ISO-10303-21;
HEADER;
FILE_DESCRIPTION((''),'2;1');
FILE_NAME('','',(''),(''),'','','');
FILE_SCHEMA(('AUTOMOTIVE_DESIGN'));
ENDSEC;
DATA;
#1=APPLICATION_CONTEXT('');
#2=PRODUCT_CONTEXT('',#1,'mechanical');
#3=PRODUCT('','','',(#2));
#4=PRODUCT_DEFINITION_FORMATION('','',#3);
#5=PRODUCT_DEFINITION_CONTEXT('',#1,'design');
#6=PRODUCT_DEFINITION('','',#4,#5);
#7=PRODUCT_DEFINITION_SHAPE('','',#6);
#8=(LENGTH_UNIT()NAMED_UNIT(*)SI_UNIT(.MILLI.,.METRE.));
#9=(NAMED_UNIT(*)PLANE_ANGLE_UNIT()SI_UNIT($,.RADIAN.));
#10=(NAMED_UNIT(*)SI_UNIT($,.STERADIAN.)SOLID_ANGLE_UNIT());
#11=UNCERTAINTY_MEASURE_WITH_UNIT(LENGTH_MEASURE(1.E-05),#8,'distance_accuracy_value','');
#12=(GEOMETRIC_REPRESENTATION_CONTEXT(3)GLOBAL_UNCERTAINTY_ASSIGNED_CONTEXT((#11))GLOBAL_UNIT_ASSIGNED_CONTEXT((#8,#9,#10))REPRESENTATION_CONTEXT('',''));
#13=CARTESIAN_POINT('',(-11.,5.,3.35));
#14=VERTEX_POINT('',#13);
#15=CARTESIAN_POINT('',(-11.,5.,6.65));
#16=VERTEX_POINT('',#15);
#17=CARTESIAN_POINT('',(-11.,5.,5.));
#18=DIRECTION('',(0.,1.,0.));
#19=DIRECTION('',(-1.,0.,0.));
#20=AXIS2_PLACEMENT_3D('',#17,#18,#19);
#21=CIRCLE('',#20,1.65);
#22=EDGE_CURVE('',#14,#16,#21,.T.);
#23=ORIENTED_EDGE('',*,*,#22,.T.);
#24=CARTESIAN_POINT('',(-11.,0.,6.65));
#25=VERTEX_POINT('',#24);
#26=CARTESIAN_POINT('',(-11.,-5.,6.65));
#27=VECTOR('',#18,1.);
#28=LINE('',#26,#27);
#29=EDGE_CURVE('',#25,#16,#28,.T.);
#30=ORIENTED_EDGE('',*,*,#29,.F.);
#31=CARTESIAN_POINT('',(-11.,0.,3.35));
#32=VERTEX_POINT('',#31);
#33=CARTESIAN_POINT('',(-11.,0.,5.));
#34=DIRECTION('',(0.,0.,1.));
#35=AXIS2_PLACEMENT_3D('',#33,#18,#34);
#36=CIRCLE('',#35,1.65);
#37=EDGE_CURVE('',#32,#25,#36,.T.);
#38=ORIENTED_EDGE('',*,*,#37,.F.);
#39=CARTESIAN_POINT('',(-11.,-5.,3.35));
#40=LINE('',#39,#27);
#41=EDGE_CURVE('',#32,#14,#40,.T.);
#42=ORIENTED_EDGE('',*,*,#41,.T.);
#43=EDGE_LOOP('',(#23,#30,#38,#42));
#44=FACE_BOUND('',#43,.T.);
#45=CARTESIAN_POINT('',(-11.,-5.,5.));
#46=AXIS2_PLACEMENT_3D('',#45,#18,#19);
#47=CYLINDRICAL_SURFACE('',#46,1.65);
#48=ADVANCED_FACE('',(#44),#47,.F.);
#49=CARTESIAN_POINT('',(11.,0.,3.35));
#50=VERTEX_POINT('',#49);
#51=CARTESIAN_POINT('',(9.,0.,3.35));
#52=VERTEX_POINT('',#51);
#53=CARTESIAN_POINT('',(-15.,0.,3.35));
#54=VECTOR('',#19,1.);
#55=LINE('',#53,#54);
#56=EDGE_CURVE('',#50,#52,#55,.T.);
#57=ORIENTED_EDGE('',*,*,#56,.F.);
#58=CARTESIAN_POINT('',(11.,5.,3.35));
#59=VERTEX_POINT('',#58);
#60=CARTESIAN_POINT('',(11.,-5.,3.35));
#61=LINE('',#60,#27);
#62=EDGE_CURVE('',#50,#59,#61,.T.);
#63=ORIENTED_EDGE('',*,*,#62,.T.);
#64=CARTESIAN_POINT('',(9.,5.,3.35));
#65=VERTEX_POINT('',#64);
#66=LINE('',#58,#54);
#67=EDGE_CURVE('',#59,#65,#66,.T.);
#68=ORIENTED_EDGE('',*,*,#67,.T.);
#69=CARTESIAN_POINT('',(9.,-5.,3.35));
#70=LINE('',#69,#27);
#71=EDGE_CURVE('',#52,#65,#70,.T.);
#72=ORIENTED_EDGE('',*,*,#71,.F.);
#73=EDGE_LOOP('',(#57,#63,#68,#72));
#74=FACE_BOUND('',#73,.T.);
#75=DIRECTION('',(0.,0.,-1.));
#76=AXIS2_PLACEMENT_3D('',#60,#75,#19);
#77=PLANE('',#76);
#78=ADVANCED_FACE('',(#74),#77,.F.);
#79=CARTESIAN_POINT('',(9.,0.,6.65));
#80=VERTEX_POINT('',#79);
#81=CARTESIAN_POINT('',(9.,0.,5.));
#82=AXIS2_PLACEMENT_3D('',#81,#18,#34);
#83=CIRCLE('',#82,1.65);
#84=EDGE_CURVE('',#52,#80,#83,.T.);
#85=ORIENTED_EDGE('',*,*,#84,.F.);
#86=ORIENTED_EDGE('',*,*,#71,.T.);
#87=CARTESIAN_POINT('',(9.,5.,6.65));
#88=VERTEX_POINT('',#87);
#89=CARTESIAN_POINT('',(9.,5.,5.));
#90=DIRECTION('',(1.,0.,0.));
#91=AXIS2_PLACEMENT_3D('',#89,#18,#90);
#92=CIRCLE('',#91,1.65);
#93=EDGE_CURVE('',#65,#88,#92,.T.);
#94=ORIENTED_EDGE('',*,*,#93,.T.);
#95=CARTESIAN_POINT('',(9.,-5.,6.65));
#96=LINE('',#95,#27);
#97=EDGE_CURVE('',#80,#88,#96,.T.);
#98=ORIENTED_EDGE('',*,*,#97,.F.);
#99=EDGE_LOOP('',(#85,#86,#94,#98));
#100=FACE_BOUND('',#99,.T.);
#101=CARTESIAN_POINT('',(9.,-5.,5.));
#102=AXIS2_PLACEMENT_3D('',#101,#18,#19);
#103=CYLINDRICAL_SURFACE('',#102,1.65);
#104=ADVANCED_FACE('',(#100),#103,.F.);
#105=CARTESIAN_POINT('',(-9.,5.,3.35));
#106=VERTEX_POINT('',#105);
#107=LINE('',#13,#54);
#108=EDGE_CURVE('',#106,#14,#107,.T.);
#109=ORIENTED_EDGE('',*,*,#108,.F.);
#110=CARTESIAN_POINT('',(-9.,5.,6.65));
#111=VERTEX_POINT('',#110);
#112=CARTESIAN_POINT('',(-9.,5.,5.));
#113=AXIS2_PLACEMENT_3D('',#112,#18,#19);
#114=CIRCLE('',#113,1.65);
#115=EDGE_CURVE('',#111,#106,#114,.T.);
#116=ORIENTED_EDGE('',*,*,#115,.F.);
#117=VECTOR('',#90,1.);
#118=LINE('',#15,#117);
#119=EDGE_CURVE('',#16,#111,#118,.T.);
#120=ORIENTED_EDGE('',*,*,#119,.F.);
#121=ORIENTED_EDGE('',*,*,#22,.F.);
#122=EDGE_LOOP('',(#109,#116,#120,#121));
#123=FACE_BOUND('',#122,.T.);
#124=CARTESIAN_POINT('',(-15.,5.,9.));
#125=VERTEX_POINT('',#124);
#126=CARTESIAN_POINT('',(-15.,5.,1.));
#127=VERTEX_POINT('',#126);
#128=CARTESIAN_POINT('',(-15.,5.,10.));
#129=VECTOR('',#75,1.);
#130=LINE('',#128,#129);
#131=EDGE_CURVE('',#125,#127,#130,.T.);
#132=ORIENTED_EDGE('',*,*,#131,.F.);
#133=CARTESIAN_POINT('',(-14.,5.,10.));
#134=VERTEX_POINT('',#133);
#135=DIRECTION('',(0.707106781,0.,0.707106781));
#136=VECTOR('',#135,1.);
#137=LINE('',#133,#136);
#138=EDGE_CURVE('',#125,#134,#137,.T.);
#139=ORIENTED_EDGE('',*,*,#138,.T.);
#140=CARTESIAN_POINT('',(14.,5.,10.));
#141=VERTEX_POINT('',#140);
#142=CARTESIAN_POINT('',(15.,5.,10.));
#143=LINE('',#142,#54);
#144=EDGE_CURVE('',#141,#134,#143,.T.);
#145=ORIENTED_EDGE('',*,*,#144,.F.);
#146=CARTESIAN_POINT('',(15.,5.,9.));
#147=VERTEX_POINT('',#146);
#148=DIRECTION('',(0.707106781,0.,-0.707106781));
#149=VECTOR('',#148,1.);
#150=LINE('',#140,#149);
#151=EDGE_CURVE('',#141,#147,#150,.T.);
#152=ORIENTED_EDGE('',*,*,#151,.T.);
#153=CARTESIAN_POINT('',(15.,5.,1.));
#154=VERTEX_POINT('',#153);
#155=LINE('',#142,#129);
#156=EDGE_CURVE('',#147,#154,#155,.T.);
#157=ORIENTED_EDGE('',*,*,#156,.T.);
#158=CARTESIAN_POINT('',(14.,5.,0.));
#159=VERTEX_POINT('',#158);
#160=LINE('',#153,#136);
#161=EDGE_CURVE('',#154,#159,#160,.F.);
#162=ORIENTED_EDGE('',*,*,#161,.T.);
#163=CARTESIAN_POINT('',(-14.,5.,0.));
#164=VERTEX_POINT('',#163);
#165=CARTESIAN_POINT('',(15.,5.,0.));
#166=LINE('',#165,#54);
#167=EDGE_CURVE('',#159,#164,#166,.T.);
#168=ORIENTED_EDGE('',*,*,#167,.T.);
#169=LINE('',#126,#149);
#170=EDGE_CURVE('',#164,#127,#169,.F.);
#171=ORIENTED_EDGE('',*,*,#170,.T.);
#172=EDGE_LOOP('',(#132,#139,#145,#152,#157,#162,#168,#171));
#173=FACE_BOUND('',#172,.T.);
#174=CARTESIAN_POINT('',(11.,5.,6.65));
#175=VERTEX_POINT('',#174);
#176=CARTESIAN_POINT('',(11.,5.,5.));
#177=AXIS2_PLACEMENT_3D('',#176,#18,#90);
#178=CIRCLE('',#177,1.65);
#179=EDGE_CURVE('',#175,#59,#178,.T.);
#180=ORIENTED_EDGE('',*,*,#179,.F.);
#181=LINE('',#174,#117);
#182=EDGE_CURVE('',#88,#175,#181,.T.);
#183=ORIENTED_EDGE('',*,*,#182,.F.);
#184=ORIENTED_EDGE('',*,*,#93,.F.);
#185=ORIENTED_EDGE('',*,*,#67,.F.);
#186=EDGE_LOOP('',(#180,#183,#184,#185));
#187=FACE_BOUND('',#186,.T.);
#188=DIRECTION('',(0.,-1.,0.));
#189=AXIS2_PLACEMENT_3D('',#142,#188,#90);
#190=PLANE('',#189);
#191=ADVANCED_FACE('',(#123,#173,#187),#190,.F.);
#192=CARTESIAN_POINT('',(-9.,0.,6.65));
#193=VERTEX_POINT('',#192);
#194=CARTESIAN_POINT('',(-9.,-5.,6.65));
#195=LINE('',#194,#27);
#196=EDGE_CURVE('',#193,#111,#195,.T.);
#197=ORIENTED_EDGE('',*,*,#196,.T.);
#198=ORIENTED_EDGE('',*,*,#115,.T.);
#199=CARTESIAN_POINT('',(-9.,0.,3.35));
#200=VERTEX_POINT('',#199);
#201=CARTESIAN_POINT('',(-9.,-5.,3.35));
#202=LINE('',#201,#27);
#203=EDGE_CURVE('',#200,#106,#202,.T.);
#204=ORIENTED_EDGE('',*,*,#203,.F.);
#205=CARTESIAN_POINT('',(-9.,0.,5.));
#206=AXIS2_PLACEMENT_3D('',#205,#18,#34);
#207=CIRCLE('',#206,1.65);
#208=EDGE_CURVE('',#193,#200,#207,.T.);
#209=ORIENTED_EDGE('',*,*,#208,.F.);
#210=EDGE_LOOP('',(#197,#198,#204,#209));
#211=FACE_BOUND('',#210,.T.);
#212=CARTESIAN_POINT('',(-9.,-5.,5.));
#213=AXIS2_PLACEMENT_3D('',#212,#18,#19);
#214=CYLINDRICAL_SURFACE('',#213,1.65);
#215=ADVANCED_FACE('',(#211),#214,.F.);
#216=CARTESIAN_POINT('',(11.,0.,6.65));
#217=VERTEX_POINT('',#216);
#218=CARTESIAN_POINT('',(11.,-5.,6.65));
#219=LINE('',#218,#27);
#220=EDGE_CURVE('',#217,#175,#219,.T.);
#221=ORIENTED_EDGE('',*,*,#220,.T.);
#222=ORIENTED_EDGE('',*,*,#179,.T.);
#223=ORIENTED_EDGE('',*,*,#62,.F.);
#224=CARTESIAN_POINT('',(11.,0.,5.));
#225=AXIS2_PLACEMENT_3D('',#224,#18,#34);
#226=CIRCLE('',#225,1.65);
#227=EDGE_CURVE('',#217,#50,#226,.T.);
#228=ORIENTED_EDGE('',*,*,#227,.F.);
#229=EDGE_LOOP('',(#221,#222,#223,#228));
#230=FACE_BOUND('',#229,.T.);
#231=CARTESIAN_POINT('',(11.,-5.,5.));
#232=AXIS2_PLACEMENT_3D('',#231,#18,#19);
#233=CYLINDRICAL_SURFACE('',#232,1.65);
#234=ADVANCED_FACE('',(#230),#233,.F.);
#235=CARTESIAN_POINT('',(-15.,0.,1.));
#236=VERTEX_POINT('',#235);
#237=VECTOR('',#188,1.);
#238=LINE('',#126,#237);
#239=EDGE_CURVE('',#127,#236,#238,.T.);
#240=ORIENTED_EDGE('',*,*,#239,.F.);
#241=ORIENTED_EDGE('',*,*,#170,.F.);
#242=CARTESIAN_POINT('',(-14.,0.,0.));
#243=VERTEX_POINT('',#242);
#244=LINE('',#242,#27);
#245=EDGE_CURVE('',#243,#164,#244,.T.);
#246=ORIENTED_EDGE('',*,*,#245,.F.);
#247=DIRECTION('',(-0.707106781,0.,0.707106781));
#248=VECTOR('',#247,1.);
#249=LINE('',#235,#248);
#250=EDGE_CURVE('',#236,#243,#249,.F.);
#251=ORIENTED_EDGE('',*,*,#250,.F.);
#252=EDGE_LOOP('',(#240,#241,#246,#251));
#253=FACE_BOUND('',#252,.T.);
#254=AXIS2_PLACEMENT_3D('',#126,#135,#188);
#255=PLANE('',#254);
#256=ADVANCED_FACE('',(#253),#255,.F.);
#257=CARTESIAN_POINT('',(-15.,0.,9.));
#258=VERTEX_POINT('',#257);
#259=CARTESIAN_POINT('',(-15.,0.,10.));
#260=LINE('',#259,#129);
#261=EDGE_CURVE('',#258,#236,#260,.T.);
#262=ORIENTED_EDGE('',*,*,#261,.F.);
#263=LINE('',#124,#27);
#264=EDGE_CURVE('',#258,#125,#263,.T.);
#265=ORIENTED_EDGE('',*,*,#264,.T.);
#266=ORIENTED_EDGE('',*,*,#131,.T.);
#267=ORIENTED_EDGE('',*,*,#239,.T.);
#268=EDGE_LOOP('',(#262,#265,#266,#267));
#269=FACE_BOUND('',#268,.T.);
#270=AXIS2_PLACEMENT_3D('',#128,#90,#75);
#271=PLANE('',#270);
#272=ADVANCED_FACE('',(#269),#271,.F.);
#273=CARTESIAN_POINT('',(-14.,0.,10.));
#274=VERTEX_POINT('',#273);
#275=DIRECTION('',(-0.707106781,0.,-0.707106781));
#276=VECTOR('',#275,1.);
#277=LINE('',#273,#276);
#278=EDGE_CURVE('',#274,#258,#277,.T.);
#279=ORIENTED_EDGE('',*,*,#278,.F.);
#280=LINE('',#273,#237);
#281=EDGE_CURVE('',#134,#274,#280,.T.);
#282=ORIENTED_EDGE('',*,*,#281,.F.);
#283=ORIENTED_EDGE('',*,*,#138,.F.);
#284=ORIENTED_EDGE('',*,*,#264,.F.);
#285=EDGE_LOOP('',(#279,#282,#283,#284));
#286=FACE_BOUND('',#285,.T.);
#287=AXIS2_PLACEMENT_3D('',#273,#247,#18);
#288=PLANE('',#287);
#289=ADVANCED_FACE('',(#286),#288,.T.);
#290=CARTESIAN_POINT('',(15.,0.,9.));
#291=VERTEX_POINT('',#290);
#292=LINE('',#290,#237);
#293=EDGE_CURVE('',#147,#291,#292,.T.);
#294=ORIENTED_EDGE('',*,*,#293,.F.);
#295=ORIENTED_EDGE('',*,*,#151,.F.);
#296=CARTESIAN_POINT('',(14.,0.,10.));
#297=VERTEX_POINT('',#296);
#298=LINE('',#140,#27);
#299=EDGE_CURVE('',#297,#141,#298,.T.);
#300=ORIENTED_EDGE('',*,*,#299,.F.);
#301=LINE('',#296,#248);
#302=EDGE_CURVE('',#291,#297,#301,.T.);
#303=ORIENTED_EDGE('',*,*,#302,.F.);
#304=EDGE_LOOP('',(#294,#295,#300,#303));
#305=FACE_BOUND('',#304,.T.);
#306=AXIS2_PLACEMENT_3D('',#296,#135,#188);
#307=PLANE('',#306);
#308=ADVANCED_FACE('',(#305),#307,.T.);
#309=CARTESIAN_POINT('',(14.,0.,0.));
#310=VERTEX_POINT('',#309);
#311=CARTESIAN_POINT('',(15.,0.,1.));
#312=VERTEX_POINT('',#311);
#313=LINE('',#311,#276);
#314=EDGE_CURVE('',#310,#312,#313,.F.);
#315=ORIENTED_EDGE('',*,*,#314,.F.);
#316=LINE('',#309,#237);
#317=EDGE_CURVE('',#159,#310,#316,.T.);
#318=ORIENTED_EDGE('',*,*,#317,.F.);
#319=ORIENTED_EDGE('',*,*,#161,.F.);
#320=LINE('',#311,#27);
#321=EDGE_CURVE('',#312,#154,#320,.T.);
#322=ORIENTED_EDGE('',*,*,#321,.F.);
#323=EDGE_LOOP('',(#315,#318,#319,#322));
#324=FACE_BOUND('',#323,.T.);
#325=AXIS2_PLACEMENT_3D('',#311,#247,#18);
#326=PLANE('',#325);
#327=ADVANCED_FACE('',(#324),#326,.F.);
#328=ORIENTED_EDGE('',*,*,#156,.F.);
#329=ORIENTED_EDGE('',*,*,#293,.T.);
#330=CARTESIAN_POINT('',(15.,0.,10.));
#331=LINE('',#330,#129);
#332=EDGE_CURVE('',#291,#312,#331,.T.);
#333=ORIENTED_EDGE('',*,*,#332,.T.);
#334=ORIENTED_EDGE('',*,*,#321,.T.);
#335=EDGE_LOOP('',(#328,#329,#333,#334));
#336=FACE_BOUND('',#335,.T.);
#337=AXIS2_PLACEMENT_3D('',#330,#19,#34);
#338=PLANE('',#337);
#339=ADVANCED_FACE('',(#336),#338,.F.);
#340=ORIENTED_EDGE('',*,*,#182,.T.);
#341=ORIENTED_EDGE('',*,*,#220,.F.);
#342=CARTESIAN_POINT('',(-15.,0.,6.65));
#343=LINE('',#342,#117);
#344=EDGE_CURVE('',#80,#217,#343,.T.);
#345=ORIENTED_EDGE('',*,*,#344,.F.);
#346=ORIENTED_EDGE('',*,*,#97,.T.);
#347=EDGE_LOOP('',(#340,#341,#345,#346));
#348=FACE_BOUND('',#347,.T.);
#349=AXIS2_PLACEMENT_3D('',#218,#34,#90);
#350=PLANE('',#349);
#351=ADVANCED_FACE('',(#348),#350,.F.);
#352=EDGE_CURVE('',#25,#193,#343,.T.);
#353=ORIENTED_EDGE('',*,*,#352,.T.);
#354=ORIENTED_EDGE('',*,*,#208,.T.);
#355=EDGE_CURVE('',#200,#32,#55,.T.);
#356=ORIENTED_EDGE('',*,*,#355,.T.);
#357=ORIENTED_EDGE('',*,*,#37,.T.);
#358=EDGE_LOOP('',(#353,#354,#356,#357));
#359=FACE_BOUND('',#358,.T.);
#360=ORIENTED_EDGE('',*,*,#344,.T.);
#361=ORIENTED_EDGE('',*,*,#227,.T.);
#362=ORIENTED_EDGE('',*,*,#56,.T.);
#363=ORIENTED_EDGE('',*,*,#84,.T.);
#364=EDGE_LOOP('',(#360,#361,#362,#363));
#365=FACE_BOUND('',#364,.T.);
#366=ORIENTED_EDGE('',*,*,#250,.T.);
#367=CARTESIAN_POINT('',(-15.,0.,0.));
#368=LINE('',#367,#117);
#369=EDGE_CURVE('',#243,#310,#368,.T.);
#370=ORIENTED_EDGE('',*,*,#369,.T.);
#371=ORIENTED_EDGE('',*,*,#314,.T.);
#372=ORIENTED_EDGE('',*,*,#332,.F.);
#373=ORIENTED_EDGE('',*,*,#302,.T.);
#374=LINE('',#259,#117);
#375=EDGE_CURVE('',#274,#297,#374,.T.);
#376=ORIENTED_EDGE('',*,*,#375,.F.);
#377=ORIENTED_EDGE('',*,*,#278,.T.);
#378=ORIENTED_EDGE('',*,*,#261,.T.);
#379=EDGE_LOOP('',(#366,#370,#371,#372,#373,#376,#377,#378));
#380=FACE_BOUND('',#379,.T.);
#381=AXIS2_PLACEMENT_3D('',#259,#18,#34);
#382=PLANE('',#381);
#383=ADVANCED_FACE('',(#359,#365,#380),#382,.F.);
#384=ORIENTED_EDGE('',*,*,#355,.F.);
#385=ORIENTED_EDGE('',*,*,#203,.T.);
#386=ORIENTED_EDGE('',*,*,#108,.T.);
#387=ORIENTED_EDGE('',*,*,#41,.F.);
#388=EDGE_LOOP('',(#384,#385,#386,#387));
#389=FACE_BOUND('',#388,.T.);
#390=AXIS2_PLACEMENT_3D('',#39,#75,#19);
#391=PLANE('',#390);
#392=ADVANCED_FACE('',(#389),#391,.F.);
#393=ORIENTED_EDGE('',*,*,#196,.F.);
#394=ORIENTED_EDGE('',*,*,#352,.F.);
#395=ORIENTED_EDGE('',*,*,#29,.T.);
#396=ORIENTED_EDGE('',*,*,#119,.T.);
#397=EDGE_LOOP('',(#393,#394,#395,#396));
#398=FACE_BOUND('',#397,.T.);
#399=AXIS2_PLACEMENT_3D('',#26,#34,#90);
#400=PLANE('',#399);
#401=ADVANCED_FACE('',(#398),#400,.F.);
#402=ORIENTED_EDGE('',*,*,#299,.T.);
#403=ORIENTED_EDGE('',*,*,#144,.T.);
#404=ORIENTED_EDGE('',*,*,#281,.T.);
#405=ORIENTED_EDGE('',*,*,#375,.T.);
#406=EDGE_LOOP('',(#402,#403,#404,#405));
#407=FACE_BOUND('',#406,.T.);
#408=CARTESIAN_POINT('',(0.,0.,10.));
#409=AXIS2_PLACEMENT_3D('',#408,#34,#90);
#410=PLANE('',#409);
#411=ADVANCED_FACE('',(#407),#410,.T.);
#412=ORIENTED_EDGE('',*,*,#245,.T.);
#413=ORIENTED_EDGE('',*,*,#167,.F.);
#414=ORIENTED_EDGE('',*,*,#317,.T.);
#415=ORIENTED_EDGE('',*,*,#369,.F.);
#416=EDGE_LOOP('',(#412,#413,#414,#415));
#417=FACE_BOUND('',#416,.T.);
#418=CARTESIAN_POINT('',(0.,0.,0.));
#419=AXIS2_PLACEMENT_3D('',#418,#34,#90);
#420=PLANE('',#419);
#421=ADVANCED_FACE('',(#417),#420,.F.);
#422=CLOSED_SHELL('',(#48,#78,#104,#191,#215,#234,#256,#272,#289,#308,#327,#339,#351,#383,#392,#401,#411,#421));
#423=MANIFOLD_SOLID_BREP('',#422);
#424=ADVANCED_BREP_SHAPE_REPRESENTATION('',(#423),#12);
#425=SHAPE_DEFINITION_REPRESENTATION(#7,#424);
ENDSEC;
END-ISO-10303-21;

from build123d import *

# Parameters (mm, degrees)
SCHIZZO1_W                   = 30
SCHIZZO1_H                   = 5
ESTRUSIONE_ESTRUSIONE1_DEPTH = 10
TAGLIO_ESTRUSIONE1_DEPTH     = 10
SMUSSO1_SIZE                 = 1
SMUSSO2_SIZE                 = 1


with BuildPart() as part:
    # Schizzo1 → Estrusione-Estrusione1 (new body)
    with BuildSketch(Plane.XY):
        with Locations((0, 2.5)):
            Rectangle(SCHIZZO1_W, SCHIZZO1_H)
    extrude(amount=ESTRUSIONE_ESTRUSIONE1_DEPTH)

    # Schizzo2 → Taglio-Estrusione1 (cut)
    with BuildSketch(Plane(origin=(0, 5, 0), x_dir=(1, 0, 0), z_dir=(0, 1, 0))):
        with BuildLine():
            Line((-11, -3.35), (-9, -3.35))
            ThreePointArc((-9, -3.35), (-7.35, -5), (-9, -6.65))
            Line((-9, -6.65), (-11, -6.65))
            ThreePointArc((-11, -6.65), (-12.65, -5), (-11, -3.35))
        make_face()
        with BuildLine():
            Line((11, -3.35), (9, -3.35))
            ThreePointArc((9, -3.35), (7.35, -5), (9, -6.65))
            Line((9, -6.65), (11, -6.65))
            ThreePointArc((11, -6.65), (12.65, -5), (11, -3.35))
        make_face()
    extrude(amount=-TAGLIO_ESTRUSIONE1_DEPTH, mode=Mode.SUBTRACT)

    # Smusso1
    smusso1_edges = [part.edges().sort_by_distance(p)[0] for p in [
        (-15, 2.5, 10),
    ]]
    chamfer(smusso1_edges, length=SMUSSO1_SIZE)

    # Smusso2
    smusso2_edges = [part.edges().sort_by_distance(p)[0] for p in [
        (15, 2.5, 10),
        (15, 2.5, 0),
        (-15, 2.5, 0),
    ]]
    chamfer(smusso2_edges, length=SMUSSO2_SIZE)


solid = part.part
